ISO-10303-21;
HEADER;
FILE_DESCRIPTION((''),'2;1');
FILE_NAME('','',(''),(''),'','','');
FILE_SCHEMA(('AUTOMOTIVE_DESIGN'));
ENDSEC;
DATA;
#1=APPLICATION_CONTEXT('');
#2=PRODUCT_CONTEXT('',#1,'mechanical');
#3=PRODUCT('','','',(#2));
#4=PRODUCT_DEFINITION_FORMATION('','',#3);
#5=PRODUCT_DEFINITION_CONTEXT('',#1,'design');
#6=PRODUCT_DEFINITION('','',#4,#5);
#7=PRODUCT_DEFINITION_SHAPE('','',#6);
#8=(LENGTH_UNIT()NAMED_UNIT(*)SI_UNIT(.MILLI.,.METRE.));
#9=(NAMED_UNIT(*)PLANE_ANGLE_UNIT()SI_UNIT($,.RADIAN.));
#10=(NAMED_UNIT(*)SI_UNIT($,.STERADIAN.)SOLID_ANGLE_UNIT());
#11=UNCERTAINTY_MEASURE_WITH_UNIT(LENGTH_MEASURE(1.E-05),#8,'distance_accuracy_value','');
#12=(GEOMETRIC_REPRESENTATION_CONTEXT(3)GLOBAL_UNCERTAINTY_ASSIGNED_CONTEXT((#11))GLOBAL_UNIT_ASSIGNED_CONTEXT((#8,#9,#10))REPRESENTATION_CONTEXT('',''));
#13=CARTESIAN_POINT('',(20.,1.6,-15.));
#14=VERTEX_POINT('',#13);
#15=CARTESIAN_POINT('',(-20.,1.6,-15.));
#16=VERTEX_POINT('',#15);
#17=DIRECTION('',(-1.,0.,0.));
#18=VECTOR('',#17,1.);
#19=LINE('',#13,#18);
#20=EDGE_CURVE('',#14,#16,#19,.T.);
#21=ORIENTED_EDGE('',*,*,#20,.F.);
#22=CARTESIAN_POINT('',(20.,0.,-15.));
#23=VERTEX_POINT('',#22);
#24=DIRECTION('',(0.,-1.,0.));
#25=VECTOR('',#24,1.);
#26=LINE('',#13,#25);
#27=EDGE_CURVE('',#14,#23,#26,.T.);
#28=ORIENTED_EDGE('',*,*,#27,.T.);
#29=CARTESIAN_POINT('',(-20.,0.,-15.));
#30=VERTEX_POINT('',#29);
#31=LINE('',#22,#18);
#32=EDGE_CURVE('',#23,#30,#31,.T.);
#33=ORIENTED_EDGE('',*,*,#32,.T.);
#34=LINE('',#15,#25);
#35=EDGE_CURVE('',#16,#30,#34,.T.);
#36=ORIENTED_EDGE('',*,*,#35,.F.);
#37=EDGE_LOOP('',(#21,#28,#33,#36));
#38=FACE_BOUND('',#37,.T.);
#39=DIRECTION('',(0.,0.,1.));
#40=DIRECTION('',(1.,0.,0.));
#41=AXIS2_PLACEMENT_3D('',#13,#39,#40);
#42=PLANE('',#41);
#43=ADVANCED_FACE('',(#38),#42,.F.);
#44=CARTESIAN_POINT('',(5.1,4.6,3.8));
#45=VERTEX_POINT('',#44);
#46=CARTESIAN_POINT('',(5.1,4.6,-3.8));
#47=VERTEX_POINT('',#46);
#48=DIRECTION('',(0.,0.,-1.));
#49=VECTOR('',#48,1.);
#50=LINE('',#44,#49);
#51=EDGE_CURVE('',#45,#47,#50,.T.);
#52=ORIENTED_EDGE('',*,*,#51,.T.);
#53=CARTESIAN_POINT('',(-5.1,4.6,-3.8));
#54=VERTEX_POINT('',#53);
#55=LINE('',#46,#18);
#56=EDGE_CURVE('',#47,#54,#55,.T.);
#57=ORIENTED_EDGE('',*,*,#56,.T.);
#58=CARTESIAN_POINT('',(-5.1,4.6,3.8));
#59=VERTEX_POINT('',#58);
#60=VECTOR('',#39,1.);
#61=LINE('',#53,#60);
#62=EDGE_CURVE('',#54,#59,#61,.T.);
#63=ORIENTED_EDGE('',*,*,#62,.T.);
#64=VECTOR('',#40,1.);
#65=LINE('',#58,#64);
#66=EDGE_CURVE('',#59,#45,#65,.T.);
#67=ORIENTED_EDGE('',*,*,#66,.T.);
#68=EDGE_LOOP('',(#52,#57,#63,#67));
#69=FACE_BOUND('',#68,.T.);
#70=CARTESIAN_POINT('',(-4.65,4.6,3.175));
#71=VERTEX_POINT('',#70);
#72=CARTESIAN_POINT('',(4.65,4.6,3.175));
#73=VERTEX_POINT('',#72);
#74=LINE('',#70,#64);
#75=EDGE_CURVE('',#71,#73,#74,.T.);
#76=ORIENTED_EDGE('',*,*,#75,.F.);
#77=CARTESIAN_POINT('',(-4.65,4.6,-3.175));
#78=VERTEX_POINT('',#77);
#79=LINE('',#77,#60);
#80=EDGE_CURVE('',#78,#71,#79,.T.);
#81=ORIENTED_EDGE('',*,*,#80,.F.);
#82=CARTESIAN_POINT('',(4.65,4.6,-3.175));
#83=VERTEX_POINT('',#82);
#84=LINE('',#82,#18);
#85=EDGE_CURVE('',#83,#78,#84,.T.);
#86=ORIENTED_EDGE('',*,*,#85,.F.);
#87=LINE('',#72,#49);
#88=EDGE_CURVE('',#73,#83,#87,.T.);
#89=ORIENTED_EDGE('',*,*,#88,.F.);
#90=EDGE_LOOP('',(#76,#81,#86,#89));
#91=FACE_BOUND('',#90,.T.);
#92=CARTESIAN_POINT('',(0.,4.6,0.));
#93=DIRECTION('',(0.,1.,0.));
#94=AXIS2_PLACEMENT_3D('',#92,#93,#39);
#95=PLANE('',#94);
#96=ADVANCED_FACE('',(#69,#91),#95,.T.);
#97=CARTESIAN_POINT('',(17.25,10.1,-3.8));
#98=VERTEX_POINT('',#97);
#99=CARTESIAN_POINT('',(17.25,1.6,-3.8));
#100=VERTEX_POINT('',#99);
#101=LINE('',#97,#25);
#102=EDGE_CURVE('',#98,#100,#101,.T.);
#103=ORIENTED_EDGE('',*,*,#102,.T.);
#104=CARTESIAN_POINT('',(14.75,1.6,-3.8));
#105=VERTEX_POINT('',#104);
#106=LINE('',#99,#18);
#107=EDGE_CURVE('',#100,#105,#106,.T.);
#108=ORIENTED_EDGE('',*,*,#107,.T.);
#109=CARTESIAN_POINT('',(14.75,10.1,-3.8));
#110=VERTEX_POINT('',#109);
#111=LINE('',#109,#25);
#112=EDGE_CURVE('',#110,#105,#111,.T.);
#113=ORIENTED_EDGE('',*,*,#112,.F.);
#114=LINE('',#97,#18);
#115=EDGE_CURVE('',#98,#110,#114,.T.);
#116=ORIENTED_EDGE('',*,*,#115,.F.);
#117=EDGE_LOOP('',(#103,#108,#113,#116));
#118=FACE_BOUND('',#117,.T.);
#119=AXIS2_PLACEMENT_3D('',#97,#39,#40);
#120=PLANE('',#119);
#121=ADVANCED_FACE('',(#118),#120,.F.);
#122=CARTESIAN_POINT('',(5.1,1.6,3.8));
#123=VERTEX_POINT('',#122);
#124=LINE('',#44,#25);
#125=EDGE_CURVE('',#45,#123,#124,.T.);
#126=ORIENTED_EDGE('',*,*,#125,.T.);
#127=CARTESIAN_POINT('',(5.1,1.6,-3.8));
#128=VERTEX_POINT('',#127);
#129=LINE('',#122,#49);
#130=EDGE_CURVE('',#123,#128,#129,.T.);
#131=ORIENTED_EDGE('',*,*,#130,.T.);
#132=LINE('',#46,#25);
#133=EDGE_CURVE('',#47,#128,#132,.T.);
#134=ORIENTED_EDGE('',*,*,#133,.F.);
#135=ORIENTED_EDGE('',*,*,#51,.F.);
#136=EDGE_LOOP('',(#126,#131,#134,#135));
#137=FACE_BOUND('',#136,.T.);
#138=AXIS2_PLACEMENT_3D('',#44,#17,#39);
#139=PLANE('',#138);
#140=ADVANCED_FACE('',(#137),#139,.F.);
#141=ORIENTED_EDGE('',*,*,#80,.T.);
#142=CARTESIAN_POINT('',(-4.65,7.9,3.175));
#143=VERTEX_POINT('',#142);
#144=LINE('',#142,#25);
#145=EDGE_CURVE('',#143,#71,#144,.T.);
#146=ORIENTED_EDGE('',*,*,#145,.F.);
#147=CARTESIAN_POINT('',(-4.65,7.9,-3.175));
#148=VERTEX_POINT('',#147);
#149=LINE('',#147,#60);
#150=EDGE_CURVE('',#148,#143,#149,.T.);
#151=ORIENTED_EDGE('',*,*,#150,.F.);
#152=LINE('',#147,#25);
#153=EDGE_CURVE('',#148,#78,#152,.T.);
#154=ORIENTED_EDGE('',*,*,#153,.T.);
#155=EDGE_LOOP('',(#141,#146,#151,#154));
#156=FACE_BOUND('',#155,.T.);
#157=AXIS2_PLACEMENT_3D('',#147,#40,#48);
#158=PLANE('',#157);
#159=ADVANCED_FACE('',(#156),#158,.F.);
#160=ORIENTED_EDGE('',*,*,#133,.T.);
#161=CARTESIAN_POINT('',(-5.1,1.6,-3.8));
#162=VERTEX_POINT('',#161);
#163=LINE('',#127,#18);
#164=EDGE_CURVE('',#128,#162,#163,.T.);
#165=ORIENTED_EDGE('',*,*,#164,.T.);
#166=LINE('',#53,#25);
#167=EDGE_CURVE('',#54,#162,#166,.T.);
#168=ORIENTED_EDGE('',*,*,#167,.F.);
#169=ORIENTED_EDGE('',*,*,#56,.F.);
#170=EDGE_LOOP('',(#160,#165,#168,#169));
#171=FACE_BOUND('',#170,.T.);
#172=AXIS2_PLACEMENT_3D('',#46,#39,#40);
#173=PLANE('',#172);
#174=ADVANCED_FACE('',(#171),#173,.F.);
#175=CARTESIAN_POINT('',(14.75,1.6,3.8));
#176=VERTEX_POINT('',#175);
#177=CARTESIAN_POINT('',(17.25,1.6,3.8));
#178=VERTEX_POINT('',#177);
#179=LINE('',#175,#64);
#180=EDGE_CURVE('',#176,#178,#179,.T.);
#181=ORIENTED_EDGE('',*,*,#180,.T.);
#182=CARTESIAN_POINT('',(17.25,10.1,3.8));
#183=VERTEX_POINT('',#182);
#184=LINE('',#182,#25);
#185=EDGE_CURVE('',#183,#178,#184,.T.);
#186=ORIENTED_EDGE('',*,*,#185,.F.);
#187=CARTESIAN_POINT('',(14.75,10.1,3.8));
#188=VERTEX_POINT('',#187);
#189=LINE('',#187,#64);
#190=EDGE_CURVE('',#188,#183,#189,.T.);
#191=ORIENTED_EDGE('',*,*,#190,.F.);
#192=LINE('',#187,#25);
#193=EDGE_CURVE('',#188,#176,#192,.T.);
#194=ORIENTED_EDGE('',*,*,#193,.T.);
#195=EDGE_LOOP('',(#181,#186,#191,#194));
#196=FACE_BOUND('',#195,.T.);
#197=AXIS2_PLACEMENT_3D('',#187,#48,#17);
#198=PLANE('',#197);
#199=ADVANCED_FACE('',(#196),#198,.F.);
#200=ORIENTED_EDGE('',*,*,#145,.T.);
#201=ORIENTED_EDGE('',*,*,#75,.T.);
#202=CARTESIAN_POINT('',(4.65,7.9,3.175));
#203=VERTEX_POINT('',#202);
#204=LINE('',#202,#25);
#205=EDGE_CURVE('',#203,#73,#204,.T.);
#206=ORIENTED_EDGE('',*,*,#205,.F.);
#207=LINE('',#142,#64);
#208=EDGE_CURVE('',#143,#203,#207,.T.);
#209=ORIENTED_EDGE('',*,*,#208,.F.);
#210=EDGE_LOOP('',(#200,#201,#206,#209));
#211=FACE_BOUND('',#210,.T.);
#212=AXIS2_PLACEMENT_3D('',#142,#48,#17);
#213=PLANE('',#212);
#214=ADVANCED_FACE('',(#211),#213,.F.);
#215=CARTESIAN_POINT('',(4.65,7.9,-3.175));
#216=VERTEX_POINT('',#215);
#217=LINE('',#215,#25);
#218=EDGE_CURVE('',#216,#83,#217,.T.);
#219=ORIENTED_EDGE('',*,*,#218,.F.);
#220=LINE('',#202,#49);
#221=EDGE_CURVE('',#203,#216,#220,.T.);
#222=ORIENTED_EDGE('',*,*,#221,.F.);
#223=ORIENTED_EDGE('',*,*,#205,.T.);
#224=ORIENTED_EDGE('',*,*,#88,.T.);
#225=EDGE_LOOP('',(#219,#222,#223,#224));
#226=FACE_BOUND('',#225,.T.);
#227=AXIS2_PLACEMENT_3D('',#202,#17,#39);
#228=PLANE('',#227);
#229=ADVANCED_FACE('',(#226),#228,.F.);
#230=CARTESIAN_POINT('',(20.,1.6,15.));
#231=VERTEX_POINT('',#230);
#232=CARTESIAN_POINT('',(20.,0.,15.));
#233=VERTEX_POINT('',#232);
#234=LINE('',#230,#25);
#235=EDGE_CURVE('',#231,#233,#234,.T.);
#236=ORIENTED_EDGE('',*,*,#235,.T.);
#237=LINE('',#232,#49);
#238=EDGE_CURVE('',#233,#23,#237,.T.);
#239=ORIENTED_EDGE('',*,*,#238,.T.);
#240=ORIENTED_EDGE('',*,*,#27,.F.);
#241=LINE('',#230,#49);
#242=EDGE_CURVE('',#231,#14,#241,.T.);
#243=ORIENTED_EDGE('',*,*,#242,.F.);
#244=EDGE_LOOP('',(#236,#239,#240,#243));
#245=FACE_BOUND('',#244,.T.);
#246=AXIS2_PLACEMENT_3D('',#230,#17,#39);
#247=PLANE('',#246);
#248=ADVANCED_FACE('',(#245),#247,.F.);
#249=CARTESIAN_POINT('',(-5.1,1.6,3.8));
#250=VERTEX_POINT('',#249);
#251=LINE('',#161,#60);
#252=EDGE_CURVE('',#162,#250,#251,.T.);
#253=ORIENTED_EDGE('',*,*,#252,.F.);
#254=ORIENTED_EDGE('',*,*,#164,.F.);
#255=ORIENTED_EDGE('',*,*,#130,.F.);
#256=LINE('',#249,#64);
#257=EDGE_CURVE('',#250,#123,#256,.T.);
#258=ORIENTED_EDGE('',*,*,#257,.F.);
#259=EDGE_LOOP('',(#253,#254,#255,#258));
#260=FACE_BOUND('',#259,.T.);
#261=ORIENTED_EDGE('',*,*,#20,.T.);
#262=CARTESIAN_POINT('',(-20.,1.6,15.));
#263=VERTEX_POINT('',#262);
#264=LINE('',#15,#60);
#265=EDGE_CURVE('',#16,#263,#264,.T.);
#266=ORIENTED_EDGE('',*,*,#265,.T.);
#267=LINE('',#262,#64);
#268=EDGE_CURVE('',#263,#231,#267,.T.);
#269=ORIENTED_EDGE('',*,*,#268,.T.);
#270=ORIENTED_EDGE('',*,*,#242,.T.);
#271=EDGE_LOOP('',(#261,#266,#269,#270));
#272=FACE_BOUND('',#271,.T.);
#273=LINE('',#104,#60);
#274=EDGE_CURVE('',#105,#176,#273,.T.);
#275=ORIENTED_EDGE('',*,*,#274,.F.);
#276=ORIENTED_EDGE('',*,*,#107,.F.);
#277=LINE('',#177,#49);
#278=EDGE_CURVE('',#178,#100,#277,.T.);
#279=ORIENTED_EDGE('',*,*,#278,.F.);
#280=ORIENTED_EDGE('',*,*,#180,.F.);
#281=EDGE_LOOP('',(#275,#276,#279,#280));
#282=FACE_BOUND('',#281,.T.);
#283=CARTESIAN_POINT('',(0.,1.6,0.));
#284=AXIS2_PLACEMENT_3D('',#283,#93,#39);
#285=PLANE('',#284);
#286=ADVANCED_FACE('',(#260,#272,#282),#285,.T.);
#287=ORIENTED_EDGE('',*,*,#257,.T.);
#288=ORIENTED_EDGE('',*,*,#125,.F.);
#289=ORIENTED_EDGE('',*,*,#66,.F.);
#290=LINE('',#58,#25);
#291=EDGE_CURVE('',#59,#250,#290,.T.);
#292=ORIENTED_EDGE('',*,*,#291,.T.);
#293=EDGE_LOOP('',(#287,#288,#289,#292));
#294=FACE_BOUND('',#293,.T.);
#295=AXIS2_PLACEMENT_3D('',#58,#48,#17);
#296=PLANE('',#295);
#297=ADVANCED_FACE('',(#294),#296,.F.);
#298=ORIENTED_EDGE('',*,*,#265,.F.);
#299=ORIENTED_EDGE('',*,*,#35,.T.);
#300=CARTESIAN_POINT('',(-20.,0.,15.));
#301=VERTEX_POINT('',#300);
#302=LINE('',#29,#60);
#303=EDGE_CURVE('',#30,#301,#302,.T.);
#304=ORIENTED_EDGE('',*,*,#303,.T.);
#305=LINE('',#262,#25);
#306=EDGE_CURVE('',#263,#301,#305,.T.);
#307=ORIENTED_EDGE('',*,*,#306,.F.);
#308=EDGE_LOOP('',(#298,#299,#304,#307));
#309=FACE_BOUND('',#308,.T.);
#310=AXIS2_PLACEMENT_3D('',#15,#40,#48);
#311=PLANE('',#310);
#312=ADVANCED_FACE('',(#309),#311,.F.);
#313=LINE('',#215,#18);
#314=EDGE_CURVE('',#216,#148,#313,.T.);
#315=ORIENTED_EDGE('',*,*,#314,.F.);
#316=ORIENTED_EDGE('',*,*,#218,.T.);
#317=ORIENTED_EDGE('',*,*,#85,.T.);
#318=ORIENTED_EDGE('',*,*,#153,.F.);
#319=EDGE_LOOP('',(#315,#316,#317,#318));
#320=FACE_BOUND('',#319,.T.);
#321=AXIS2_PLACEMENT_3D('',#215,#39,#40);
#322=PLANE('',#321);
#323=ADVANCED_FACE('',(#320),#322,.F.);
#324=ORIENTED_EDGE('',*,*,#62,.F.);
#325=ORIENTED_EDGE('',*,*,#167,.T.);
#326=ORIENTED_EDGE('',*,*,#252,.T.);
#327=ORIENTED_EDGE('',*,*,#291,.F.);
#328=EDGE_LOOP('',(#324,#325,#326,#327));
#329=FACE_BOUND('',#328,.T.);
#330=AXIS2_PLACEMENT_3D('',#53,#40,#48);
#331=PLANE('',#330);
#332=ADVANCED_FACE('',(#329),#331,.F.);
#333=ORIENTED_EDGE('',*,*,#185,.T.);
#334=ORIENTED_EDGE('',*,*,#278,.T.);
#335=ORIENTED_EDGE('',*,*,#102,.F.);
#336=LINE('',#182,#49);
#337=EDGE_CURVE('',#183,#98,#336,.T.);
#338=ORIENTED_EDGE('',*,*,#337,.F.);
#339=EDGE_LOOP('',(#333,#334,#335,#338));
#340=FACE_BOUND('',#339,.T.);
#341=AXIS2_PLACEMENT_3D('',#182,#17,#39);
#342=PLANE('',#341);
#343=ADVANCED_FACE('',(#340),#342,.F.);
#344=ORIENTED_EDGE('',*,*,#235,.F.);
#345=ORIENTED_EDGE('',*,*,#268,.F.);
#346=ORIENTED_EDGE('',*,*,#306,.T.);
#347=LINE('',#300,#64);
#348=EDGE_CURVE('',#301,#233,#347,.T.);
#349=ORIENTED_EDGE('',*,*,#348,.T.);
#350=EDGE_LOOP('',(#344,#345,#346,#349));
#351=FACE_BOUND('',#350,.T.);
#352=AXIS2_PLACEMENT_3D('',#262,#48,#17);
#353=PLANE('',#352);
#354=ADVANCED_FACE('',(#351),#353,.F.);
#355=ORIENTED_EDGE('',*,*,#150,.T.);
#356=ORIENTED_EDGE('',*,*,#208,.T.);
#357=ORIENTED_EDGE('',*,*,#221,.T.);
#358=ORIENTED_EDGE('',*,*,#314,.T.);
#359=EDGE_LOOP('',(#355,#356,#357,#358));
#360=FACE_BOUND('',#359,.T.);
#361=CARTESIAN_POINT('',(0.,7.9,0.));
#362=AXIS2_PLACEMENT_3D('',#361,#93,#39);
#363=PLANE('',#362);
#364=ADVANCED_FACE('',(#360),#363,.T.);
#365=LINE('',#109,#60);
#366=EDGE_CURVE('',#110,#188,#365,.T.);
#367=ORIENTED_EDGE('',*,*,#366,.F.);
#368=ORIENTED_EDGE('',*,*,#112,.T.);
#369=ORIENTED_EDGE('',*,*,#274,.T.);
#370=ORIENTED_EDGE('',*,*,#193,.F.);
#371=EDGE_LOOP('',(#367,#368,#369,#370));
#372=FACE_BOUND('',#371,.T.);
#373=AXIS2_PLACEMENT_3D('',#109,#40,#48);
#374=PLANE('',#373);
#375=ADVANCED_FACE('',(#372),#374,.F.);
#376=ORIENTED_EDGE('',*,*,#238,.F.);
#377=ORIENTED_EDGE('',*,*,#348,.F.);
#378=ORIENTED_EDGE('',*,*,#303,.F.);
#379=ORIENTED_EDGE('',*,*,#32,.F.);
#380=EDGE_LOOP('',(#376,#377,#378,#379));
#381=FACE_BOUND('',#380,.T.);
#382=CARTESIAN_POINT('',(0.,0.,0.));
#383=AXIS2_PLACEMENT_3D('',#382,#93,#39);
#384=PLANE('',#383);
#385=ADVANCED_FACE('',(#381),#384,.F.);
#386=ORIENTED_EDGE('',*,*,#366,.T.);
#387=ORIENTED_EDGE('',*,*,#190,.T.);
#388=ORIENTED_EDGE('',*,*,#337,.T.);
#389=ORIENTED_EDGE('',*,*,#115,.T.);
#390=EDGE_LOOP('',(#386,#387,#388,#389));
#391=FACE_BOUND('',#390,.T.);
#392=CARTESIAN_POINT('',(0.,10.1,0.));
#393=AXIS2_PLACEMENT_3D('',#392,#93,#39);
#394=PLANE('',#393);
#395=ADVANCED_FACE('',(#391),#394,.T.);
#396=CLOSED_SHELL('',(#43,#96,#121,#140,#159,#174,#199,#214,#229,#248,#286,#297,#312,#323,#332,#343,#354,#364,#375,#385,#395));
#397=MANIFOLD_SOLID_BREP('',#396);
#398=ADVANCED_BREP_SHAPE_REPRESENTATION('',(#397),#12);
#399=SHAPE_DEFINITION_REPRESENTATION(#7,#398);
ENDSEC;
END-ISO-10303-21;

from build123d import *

# Parameters (mm, degrees)
SKETCH1_W         = 40
SKETCH1_H         = 30
PERFBOARD_DEPTH   = 1.6
DIP8_SOCKET_START = 1.6
SKETCH2_W         = 10.2
SKETCH2_H         = 7.6
DIP8_SOCKET_DEPTH = 3
CA3140_START      = 4.6
SKETCH3_W         = 9.3
SKETCH3_H         = 6.35
CA3140_DEPTH      = 3.3
HEADER_START      = 1.6
SKETCH4_W         = 2.5
SKETCH4_H         = 7.6
HEADER_DEPTH      = 8.5


with BuildPart() as part:
    # Sketch1 → Perfboard (new body)
    with BuildSketch(Plane(origin=(0, 0, 0), x_dir=(1, 0, 0), z_dir=(0, 1, 0))):
        Rectangle(SKETCH1_W, SKETCH1_H)
    extrude(amount=PERFBOARD_DEPTH)

    # Sketch2 → DIP8_Socket (add)
    with BuildSketch(Plane(origin=(0, 0, 0), x_dir=(1, 0, 0), z_dir=(0, 1, 0)).offset(DIP8_SOCKET_START)):
        Rectangle(SKETCH2_W, SKETCH2_H)
    extrude(amount=DIP8_SOCKET_DEPTH)

    # Sketch3 → CA3140 (add)
    with BuildSketch(Plane(origin=(0, 0, 0), x_dir=(1, 0, 0), z_dir=(0, 1, 0)).offset(CA3140_START)):
        Rectangle(SKETCH3_W, SKETCH3_H)
    extrude(amount=CA3140_DEPTH)

    # Sketch4 → Header (add)
    with BuildSketch(Plane(origin=(0, 0, 0), x_dir=(1, 0, 0), z_dir=(0, 1, 0)).offset(HEADER_START)):
        with Locations((16, 0)):
            Rectangle(SKETCH4_W, SKETCH4_H)
    extrude(amount=HEADER_DEPTH)


solid = part.part
